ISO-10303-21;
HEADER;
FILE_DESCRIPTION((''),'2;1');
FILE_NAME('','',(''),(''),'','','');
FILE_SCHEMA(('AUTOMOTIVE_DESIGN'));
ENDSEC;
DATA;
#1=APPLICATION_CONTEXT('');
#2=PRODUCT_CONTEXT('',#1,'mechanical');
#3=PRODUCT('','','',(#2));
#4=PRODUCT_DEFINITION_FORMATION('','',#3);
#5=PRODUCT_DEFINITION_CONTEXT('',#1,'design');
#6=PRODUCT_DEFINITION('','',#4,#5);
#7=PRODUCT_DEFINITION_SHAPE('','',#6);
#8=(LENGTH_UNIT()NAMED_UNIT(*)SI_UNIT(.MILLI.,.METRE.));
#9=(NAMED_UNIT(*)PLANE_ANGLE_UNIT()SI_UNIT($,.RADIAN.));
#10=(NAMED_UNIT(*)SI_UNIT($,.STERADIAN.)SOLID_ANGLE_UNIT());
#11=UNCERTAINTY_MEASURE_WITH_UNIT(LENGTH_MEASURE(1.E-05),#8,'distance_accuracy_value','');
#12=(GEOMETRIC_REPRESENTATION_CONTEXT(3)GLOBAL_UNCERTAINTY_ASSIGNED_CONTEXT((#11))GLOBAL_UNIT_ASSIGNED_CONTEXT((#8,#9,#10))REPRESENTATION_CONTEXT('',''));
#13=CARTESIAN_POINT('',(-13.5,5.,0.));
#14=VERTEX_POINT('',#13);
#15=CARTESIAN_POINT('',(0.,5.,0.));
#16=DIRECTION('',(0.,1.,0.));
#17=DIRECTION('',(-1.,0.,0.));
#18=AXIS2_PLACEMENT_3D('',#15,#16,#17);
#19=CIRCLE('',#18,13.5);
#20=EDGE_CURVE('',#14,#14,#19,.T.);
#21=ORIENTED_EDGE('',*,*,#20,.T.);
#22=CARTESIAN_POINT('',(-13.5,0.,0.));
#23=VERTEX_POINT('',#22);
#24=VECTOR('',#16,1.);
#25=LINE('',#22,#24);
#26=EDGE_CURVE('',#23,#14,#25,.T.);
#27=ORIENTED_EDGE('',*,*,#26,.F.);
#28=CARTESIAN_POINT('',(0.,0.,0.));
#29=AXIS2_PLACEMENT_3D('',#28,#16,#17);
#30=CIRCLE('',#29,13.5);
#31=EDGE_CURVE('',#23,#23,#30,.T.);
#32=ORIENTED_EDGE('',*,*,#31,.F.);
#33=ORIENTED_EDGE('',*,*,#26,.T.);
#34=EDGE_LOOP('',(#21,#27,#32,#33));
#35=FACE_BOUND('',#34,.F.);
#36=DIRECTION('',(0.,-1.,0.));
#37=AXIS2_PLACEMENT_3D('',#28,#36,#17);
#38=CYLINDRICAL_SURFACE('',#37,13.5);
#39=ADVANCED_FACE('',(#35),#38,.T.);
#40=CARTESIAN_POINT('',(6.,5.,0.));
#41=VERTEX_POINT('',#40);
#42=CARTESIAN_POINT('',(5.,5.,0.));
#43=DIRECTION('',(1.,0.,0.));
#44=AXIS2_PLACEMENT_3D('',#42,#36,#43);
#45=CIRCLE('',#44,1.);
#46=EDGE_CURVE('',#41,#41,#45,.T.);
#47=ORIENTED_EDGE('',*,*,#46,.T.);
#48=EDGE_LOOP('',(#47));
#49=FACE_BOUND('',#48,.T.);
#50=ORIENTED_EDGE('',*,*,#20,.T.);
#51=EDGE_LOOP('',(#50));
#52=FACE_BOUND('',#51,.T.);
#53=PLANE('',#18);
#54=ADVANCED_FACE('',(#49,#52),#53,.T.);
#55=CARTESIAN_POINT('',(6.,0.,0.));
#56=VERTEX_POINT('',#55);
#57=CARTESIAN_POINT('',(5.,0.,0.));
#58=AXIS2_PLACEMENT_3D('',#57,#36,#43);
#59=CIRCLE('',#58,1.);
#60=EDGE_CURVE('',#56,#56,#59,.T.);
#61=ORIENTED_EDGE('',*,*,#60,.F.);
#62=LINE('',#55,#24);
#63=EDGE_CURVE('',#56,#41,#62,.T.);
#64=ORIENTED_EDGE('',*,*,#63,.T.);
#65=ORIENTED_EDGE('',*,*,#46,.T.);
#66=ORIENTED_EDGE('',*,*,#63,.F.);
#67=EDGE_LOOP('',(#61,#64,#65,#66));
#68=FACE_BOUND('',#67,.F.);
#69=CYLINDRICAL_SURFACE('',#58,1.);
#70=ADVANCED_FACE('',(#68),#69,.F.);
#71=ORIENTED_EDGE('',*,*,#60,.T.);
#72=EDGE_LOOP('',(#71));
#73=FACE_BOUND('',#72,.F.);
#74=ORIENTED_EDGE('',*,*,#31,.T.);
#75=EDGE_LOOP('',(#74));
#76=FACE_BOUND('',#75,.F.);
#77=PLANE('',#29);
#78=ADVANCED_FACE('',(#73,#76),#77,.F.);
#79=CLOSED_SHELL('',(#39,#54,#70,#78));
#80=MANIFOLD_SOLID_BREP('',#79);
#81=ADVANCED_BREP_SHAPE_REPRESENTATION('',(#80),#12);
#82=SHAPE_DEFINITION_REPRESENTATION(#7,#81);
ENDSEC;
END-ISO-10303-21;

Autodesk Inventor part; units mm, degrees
ref_plane "YZ Plane" through (0, 0, 0) normal (1, 0, 0) x (0, 1, 0)
ref_plane "XZ Plane" through (0, 0, 0) normal (0, 1, 0) x (-1, 0, 0)
ref_plane "XY Plane" through (0, 0, 0) normal (0, 0, 1) x (1, 0, 0)
sketch "Boceto1" plane through (0, 0, 0) normal (0, 1, 0) x (-1, 0, 0)
  circle A0 centre (0, 0) radius 13.5
  dimension "d0" = 27
extrude "Extrusión1" add sketch "Boceto1" along normal blind 5
sketch "Boceto3" plane through (0, 0, 0) normal (0, -1, 0) x (1, 0, 0)
  circle A0 centre (5, 0) radius 1
  circle A1 centre (0, 0) radius 13.5 projected
  dimension "d4" = 2
  dimension "d7" = 5
extrude "Extrusión2" cut sketch "Boceto3" against normal blind 5 contours A0
properties part number "Leva"
